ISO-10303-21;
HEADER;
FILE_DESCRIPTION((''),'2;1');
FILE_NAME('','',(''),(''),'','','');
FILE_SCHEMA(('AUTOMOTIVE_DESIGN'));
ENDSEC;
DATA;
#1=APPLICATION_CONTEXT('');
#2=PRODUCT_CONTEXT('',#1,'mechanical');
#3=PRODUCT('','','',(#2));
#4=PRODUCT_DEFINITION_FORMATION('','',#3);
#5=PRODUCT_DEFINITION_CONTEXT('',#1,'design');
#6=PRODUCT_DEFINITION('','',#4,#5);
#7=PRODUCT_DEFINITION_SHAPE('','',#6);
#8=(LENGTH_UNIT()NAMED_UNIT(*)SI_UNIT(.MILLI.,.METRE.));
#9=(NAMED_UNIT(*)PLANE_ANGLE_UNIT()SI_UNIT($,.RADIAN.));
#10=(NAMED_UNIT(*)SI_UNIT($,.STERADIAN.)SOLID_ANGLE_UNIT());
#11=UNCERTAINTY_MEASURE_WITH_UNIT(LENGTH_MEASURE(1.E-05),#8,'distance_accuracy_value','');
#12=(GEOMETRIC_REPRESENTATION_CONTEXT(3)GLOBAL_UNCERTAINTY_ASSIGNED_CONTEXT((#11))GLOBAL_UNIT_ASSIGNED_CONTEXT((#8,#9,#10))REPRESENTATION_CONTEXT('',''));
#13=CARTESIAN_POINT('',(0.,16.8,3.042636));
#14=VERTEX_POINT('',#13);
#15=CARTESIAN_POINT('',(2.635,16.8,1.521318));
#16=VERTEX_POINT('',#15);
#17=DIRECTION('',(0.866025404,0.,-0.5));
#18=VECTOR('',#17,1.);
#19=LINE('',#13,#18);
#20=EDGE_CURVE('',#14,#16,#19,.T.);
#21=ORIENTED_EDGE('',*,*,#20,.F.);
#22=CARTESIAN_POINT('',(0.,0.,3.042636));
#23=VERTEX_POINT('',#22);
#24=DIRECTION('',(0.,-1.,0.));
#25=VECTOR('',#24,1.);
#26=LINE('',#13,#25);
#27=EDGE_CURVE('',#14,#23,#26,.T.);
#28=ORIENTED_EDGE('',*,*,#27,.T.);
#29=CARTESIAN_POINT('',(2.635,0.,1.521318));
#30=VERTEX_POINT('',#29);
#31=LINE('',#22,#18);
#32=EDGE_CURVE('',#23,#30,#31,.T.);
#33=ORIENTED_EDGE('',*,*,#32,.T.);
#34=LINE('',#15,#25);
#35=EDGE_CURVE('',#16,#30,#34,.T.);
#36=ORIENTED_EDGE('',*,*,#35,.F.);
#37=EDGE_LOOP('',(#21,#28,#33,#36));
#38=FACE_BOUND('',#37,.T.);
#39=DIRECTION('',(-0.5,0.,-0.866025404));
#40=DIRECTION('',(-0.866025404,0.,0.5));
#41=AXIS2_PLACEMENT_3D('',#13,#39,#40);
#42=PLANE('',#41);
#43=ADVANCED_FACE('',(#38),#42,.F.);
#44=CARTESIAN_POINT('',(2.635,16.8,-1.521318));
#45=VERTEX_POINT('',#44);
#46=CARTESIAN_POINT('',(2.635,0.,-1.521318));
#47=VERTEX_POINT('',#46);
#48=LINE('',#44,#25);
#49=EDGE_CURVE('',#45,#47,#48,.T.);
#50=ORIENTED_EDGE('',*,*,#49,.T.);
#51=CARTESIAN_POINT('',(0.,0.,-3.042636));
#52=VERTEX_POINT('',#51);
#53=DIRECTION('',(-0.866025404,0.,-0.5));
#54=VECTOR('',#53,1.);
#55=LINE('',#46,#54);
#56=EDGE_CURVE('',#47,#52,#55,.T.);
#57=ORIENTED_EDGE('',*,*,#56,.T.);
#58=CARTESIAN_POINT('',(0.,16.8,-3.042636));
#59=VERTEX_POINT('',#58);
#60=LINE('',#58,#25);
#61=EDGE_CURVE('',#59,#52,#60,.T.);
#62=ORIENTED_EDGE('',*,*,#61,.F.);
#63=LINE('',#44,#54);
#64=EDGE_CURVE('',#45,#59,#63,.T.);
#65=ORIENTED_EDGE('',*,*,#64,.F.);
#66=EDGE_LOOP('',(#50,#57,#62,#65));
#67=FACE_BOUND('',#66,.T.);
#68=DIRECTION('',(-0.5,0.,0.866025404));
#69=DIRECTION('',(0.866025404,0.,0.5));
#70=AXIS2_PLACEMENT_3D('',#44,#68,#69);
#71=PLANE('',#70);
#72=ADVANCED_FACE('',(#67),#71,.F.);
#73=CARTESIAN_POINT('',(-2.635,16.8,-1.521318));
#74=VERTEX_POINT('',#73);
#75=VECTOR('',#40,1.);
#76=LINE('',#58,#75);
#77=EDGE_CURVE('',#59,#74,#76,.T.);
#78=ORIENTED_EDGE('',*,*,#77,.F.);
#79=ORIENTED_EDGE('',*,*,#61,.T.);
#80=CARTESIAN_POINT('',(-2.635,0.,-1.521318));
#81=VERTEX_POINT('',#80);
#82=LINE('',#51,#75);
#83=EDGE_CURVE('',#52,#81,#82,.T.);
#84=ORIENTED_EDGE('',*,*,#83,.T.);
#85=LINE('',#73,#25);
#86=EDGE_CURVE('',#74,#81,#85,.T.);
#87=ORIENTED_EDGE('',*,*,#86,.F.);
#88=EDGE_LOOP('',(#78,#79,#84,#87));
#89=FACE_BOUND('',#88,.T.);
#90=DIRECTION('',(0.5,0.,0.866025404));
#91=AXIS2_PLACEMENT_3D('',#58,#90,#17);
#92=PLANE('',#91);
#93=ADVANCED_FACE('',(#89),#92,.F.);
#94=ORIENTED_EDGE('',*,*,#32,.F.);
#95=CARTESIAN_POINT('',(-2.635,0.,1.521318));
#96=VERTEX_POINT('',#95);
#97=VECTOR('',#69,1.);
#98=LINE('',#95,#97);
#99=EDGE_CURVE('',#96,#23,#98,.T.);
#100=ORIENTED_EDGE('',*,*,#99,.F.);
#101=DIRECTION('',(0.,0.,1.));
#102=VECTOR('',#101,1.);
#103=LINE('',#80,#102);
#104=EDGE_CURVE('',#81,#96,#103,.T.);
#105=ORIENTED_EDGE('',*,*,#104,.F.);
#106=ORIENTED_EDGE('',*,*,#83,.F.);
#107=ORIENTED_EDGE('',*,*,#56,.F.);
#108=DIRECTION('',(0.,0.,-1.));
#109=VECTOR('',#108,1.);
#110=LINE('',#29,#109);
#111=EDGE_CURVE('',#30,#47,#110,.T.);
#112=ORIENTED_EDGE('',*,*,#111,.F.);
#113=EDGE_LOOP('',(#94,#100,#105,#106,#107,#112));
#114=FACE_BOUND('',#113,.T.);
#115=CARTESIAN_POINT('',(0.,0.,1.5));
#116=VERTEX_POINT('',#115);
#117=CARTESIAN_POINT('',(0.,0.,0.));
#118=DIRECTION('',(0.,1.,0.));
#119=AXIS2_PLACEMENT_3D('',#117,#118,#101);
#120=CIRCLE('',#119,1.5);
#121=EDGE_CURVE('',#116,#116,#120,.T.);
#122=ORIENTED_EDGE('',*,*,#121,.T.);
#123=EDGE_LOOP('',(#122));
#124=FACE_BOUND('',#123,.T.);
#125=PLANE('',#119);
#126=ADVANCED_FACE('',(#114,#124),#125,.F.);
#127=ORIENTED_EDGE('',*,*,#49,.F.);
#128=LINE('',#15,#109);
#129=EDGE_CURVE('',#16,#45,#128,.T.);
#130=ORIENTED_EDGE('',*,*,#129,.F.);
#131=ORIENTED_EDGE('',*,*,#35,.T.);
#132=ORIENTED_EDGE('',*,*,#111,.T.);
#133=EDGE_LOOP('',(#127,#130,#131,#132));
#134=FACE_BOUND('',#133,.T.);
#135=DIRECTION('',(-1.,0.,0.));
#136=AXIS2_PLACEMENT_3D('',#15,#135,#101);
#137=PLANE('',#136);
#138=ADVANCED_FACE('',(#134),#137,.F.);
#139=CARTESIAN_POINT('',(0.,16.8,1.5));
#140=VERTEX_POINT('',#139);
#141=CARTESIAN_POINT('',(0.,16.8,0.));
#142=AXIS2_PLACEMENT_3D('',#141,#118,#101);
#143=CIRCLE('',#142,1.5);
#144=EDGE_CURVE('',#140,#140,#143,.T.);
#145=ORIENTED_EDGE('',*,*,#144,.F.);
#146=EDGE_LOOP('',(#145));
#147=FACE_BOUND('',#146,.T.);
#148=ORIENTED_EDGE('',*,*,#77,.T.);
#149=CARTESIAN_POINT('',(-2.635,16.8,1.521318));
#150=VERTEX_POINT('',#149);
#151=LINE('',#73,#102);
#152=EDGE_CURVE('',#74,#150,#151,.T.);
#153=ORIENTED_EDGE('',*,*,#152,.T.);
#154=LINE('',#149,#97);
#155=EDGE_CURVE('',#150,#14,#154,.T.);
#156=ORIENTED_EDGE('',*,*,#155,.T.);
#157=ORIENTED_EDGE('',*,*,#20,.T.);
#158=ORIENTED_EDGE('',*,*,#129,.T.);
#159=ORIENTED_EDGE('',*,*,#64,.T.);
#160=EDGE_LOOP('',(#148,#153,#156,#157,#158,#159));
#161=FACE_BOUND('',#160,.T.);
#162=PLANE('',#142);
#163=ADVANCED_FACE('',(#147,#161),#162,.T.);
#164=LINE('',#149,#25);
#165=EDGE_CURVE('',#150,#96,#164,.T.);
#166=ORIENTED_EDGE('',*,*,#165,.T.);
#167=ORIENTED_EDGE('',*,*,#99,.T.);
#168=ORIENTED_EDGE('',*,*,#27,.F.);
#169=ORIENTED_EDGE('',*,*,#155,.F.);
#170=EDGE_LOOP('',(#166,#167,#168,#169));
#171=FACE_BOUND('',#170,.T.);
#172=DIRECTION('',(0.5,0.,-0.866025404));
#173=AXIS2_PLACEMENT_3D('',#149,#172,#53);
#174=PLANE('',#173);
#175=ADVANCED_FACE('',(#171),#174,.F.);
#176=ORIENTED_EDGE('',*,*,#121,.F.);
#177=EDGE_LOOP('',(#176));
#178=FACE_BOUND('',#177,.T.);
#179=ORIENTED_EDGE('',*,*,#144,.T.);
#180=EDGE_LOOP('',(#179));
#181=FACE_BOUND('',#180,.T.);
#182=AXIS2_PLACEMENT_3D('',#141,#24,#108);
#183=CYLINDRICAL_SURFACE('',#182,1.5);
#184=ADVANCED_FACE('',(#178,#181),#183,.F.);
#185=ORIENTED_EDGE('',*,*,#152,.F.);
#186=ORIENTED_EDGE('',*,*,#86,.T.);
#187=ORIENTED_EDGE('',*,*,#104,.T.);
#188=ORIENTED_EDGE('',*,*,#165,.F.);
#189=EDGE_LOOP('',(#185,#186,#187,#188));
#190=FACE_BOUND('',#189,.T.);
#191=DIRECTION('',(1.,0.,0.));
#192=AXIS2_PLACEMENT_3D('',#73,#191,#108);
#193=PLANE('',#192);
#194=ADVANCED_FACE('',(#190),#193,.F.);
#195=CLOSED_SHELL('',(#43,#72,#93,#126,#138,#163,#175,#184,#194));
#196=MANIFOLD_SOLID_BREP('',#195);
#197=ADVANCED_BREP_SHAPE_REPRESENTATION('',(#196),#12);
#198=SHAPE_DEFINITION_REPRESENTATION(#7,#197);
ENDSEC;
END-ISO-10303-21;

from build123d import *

# Parameters (mm, degrees)
SKETCH_1_R      = 1.5
EXTRUDE_1_DEPTH = 16.8


with BuildPart() as part:
    # Эскиз1 → Бобышка-Вытянуть1 (new body)
    with BuildSketch(Plane(origin=(0, 0, 0), x_dir=(1, 0, 0), z_dir=(0, 1, 0))):
        Polygon((0, 3.042635919), (-2.635, 1.521317959), (-2.635, -1.521317959), (0, -3.042635919), (2.635, -1.521317959), (2.635, 1.521317959), align=None)
        Circle(SKETCH_1_R, mode=Mode.SUBTRACT)
    extrude(amount=EXTRUDE_1_DEPTH)


solid = part.part
